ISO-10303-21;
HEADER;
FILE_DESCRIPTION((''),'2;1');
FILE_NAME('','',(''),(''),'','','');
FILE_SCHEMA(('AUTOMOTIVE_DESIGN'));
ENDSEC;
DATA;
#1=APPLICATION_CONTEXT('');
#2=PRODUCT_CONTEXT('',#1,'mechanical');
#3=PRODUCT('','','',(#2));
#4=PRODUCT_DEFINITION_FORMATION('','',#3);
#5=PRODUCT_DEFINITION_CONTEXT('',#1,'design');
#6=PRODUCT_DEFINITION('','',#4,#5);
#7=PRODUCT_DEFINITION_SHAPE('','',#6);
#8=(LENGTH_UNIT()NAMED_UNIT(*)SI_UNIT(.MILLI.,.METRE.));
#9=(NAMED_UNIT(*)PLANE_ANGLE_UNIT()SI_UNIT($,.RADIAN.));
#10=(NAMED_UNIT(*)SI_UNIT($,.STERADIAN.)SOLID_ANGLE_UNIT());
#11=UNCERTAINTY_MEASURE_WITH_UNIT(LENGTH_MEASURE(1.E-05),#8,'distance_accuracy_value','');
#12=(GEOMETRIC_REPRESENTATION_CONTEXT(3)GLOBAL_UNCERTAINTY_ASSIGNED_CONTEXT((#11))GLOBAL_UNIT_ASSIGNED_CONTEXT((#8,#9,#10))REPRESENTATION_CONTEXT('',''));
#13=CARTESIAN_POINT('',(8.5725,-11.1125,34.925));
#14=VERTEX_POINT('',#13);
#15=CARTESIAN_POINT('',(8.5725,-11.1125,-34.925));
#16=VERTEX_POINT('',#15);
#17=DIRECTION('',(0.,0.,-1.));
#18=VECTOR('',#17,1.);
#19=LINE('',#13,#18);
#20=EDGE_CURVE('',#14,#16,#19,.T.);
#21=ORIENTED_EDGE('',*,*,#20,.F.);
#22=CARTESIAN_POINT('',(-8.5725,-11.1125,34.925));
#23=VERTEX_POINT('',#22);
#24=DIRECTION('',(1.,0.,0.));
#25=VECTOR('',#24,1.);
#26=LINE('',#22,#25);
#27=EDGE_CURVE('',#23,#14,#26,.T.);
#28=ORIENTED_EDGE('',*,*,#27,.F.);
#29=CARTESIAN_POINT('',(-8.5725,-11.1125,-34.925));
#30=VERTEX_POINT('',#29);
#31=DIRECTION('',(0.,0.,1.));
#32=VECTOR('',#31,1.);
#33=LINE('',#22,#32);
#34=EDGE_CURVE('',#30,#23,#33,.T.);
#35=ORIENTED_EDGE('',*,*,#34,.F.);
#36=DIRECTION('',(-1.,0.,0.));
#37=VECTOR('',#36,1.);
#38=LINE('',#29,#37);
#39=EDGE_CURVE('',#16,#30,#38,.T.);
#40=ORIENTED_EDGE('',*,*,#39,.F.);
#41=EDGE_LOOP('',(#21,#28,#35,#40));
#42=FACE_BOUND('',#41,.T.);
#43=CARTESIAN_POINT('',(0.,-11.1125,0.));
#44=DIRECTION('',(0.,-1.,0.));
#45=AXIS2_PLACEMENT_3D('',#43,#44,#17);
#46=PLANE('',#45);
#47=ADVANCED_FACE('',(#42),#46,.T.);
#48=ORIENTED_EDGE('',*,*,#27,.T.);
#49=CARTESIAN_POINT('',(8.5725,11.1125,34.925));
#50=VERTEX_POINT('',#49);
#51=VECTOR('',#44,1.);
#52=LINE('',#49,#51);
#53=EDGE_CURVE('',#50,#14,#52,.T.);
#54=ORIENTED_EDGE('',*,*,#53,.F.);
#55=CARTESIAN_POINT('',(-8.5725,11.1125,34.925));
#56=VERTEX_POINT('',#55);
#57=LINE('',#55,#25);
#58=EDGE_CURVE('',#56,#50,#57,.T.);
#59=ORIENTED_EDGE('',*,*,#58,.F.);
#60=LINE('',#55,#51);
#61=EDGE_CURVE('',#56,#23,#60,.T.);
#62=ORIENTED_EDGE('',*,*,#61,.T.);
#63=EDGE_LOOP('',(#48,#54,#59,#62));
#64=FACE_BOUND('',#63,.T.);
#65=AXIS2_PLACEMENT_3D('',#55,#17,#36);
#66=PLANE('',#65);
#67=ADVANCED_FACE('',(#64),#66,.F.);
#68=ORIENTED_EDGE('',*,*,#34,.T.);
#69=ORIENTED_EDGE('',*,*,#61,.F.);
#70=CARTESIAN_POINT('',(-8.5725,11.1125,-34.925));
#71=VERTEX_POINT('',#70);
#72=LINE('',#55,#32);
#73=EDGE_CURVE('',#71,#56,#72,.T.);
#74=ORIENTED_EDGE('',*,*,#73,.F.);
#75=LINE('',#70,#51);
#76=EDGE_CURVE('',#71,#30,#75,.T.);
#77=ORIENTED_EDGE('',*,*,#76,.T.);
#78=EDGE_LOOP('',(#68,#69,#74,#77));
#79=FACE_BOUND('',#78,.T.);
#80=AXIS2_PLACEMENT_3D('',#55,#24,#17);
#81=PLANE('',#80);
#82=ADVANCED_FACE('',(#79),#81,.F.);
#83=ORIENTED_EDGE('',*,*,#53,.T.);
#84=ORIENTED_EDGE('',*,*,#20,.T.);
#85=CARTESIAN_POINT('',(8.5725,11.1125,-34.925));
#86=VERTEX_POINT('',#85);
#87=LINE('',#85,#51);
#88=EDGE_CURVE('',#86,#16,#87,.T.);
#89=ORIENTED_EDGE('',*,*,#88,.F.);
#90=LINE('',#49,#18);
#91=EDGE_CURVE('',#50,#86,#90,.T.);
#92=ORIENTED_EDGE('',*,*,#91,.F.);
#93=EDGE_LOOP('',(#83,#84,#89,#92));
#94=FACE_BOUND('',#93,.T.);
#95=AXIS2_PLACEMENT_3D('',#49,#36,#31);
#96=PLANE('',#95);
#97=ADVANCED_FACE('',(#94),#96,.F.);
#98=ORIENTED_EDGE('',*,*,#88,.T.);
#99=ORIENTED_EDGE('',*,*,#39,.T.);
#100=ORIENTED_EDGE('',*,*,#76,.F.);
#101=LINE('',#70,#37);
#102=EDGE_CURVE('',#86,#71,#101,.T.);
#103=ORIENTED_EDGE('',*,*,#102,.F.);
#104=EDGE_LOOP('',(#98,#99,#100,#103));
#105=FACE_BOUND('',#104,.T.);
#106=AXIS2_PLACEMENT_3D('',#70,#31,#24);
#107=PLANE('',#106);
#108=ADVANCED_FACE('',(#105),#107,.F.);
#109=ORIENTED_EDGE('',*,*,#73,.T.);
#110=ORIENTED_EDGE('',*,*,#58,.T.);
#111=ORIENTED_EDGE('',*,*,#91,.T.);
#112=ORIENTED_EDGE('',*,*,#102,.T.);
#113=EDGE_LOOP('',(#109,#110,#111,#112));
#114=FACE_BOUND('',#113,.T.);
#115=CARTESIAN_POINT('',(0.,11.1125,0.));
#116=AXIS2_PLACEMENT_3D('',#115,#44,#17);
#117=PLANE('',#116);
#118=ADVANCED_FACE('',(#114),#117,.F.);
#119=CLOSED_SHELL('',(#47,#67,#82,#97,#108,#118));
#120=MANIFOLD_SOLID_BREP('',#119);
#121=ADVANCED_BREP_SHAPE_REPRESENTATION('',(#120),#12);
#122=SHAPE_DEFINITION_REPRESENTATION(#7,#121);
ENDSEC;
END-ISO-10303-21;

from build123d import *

# Parameters (mm, degrees)
SKETCH1_W           = 17.145
SKETCH1_H           = 69.85
BOSS_EXTRUDE1_DEPTH = 11.1125


with BuildPart() as part:
    # Sketch1 → Boss-Extrude1 (new body, symmetric)
    with BuildSketch(Plane(origin=(0, 0, 0), x_dir=(1, 0, 0), z_dir=(0, 1, 0))):
        Rectangle(SKETCH1_W, SKETCH1_H)
    extrude(amount=BOSS_EXTRUDE1_DEPTH, both=True)


solid = part.part
